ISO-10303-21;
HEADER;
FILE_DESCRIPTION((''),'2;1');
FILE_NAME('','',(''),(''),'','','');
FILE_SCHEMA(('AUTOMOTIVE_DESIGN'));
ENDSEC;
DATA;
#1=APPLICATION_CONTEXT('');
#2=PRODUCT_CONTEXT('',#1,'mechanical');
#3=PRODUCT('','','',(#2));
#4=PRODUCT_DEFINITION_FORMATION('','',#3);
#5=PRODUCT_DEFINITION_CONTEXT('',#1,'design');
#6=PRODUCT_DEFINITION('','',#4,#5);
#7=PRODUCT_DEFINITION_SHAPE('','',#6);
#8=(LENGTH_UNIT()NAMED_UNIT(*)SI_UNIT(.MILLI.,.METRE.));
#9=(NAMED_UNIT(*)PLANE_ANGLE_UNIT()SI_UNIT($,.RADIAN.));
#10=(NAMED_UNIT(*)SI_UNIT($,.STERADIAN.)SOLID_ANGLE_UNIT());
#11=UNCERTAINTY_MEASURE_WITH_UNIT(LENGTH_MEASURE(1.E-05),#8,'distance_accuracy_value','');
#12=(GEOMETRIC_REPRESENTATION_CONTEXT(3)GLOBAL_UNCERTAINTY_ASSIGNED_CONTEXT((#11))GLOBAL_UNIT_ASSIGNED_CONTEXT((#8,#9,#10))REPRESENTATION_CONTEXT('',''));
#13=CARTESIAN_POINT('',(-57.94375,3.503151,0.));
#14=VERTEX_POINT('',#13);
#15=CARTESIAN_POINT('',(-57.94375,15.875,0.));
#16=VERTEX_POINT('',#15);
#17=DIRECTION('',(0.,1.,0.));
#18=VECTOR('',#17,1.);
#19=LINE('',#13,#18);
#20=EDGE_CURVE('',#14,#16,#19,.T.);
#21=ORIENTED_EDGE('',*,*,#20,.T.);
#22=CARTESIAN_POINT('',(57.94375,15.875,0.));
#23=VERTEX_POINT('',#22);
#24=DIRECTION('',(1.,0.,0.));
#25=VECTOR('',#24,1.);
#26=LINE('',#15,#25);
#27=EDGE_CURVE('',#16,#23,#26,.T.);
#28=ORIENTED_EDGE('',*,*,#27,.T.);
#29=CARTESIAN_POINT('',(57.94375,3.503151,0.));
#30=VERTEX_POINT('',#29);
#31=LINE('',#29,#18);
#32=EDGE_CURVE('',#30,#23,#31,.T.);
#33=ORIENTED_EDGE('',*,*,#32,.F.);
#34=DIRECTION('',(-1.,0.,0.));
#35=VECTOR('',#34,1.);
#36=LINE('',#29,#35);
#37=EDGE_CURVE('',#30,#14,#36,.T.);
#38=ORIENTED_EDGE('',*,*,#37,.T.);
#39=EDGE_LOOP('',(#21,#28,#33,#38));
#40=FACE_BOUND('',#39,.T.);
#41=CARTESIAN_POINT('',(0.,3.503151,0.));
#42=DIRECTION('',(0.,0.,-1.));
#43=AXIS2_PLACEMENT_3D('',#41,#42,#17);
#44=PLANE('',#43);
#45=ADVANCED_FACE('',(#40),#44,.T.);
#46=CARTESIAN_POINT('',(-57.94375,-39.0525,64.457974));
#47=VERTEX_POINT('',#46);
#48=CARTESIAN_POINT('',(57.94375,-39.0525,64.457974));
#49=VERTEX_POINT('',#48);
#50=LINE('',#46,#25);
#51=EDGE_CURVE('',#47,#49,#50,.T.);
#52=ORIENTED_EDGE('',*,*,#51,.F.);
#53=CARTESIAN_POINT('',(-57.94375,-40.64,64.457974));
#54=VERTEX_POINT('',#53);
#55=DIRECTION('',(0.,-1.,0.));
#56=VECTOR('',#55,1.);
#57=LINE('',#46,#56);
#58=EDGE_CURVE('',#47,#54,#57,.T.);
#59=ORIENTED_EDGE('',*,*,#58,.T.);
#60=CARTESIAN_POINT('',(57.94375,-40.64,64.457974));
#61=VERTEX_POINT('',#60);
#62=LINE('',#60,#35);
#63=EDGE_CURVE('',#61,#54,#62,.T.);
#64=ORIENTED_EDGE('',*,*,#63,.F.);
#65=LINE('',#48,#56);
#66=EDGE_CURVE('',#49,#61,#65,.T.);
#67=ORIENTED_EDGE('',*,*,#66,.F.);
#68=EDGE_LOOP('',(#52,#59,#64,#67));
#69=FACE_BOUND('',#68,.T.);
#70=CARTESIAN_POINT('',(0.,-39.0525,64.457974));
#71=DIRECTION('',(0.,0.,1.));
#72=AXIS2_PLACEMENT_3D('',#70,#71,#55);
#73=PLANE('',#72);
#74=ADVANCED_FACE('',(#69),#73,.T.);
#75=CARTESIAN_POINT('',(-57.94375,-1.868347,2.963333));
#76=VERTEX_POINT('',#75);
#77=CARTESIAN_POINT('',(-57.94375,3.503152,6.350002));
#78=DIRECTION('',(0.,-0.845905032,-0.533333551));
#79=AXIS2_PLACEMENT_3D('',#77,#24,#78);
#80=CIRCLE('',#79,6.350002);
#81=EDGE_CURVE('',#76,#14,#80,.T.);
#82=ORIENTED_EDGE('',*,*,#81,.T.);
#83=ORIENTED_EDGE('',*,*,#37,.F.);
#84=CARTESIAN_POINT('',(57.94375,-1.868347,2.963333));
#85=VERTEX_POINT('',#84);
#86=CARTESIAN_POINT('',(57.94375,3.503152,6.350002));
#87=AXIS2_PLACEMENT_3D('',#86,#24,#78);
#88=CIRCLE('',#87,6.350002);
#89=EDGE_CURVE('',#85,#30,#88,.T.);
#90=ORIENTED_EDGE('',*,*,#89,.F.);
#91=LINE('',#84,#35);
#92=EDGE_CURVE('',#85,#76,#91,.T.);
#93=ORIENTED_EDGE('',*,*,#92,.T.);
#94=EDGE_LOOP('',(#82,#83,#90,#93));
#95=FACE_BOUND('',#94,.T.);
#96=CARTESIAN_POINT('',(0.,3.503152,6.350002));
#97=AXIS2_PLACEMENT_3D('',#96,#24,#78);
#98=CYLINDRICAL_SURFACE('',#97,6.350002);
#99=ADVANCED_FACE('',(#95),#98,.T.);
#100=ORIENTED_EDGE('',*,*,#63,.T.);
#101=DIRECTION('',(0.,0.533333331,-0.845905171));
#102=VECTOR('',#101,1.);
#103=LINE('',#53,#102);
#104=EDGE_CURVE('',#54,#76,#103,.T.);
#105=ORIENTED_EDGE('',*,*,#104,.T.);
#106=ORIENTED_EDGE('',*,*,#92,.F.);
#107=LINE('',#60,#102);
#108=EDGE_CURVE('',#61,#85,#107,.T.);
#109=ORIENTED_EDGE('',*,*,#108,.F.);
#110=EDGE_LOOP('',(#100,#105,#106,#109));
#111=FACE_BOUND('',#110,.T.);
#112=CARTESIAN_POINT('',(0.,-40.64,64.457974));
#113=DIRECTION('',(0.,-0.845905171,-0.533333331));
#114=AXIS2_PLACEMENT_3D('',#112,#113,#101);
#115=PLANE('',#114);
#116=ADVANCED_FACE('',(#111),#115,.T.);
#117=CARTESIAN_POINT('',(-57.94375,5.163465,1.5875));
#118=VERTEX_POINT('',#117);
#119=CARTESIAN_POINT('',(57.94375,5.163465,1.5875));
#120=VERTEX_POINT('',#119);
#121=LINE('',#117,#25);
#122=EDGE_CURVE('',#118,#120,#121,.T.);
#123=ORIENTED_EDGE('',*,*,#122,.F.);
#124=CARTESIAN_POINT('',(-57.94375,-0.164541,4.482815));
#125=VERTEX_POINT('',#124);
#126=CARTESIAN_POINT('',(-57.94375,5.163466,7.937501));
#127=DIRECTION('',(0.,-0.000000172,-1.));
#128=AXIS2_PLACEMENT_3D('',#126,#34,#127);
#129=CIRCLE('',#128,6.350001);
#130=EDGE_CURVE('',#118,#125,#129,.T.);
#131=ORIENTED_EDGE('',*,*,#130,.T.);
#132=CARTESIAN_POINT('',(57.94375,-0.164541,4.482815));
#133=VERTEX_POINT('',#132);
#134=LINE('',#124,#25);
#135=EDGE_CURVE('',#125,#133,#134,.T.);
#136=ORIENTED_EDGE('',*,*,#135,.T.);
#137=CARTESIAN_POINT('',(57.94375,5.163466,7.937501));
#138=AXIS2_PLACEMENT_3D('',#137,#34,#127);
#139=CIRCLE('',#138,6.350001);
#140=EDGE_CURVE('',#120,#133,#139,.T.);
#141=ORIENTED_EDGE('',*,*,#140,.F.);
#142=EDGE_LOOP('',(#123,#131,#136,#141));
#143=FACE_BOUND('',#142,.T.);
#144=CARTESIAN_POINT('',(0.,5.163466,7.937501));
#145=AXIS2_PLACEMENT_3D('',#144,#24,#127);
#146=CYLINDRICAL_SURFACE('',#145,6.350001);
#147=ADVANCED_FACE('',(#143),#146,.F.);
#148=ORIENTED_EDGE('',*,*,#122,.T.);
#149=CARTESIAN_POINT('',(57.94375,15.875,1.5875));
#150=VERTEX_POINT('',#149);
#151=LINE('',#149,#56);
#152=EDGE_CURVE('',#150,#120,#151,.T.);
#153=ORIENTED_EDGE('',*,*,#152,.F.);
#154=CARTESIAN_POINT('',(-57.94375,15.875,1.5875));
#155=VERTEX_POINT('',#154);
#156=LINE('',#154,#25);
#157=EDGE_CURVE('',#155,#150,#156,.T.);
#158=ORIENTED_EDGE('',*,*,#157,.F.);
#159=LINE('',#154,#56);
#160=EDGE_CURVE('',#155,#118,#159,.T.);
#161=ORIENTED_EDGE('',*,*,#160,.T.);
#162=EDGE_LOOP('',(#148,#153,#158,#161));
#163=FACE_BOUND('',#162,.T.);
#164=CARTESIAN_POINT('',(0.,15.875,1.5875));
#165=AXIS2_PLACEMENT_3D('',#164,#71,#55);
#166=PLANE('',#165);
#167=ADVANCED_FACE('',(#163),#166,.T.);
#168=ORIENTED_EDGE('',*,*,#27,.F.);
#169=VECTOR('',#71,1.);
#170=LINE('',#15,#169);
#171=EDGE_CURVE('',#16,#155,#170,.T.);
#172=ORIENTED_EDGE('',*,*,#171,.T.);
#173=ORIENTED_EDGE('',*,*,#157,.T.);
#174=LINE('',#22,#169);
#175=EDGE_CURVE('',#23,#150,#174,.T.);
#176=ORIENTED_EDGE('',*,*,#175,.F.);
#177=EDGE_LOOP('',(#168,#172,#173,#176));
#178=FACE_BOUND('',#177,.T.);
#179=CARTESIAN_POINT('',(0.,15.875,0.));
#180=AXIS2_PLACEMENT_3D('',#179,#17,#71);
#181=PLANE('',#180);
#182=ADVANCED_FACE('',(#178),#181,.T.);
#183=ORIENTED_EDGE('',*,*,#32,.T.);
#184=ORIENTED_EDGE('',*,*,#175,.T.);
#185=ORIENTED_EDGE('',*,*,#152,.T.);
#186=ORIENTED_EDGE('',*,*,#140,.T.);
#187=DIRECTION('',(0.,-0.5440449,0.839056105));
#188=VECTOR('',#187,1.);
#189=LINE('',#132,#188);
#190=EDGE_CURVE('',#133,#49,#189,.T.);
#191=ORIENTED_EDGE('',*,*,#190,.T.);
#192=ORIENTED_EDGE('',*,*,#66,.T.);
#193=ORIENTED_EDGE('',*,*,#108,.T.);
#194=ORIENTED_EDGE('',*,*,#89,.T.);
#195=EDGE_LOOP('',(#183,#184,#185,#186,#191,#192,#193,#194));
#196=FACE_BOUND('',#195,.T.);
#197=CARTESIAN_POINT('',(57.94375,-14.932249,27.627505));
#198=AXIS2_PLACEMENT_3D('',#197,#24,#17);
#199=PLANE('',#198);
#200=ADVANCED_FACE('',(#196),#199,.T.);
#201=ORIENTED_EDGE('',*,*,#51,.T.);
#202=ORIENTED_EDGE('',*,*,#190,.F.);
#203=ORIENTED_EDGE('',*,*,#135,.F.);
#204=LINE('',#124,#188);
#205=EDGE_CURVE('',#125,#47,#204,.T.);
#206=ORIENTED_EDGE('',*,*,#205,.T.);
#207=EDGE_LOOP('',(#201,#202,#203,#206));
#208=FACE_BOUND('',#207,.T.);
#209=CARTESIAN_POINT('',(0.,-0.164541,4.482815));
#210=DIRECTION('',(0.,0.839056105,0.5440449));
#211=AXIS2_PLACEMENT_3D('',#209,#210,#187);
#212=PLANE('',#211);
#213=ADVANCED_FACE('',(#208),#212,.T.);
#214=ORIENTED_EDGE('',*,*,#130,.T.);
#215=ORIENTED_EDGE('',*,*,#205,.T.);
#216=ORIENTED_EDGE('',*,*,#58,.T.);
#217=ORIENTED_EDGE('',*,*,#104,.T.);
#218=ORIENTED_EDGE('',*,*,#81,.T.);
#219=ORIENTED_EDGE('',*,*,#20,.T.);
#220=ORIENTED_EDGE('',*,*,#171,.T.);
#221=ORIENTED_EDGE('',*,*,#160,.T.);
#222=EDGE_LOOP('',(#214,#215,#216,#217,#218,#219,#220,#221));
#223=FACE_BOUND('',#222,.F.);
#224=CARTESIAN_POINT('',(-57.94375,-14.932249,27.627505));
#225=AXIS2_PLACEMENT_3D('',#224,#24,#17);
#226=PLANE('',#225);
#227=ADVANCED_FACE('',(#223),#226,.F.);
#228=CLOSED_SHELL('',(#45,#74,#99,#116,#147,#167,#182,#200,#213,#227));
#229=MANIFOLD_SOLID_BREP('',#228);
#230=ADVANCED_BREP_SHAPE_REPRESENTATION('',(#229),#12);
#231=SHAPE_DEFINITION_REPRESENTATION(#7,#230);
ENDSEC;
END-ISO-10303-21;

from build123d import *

# Parameters (mm, degrees)
F1_DEPTH = 57.94375


with BuildPart() as f1:
    # F0 (on Right) → F1 (new body, symmetric)
    with BuildSketch(Plane.YZ):
        with BuildLine():
            Line((3.503151, 0), (15.875, 0))
            Line((15.875, 0), (15.875, 1.5875))
            Line((15.875, 1.5875), (5.163465, 1.5875))
            ThreePointArc((5.163465, 1.5875), (2.131531, 2.358085), (-0.164541, 4.482815))
            Line((-0.164541, 4.482815), (-39.0525, 64.457974))
            Line((-39.0525, 64.457974), (-40.64, 64.457974))
            Line((-40.64, 64.457974), (-1.868347, 2.963333))
            ThreePointArc((-1.868347, 2.963333), (0.435809, 0.789972), (3.503151, 0))
        make_face()
    extrude(amount=F1_DEPTH, both=True)


solid = f1.part
